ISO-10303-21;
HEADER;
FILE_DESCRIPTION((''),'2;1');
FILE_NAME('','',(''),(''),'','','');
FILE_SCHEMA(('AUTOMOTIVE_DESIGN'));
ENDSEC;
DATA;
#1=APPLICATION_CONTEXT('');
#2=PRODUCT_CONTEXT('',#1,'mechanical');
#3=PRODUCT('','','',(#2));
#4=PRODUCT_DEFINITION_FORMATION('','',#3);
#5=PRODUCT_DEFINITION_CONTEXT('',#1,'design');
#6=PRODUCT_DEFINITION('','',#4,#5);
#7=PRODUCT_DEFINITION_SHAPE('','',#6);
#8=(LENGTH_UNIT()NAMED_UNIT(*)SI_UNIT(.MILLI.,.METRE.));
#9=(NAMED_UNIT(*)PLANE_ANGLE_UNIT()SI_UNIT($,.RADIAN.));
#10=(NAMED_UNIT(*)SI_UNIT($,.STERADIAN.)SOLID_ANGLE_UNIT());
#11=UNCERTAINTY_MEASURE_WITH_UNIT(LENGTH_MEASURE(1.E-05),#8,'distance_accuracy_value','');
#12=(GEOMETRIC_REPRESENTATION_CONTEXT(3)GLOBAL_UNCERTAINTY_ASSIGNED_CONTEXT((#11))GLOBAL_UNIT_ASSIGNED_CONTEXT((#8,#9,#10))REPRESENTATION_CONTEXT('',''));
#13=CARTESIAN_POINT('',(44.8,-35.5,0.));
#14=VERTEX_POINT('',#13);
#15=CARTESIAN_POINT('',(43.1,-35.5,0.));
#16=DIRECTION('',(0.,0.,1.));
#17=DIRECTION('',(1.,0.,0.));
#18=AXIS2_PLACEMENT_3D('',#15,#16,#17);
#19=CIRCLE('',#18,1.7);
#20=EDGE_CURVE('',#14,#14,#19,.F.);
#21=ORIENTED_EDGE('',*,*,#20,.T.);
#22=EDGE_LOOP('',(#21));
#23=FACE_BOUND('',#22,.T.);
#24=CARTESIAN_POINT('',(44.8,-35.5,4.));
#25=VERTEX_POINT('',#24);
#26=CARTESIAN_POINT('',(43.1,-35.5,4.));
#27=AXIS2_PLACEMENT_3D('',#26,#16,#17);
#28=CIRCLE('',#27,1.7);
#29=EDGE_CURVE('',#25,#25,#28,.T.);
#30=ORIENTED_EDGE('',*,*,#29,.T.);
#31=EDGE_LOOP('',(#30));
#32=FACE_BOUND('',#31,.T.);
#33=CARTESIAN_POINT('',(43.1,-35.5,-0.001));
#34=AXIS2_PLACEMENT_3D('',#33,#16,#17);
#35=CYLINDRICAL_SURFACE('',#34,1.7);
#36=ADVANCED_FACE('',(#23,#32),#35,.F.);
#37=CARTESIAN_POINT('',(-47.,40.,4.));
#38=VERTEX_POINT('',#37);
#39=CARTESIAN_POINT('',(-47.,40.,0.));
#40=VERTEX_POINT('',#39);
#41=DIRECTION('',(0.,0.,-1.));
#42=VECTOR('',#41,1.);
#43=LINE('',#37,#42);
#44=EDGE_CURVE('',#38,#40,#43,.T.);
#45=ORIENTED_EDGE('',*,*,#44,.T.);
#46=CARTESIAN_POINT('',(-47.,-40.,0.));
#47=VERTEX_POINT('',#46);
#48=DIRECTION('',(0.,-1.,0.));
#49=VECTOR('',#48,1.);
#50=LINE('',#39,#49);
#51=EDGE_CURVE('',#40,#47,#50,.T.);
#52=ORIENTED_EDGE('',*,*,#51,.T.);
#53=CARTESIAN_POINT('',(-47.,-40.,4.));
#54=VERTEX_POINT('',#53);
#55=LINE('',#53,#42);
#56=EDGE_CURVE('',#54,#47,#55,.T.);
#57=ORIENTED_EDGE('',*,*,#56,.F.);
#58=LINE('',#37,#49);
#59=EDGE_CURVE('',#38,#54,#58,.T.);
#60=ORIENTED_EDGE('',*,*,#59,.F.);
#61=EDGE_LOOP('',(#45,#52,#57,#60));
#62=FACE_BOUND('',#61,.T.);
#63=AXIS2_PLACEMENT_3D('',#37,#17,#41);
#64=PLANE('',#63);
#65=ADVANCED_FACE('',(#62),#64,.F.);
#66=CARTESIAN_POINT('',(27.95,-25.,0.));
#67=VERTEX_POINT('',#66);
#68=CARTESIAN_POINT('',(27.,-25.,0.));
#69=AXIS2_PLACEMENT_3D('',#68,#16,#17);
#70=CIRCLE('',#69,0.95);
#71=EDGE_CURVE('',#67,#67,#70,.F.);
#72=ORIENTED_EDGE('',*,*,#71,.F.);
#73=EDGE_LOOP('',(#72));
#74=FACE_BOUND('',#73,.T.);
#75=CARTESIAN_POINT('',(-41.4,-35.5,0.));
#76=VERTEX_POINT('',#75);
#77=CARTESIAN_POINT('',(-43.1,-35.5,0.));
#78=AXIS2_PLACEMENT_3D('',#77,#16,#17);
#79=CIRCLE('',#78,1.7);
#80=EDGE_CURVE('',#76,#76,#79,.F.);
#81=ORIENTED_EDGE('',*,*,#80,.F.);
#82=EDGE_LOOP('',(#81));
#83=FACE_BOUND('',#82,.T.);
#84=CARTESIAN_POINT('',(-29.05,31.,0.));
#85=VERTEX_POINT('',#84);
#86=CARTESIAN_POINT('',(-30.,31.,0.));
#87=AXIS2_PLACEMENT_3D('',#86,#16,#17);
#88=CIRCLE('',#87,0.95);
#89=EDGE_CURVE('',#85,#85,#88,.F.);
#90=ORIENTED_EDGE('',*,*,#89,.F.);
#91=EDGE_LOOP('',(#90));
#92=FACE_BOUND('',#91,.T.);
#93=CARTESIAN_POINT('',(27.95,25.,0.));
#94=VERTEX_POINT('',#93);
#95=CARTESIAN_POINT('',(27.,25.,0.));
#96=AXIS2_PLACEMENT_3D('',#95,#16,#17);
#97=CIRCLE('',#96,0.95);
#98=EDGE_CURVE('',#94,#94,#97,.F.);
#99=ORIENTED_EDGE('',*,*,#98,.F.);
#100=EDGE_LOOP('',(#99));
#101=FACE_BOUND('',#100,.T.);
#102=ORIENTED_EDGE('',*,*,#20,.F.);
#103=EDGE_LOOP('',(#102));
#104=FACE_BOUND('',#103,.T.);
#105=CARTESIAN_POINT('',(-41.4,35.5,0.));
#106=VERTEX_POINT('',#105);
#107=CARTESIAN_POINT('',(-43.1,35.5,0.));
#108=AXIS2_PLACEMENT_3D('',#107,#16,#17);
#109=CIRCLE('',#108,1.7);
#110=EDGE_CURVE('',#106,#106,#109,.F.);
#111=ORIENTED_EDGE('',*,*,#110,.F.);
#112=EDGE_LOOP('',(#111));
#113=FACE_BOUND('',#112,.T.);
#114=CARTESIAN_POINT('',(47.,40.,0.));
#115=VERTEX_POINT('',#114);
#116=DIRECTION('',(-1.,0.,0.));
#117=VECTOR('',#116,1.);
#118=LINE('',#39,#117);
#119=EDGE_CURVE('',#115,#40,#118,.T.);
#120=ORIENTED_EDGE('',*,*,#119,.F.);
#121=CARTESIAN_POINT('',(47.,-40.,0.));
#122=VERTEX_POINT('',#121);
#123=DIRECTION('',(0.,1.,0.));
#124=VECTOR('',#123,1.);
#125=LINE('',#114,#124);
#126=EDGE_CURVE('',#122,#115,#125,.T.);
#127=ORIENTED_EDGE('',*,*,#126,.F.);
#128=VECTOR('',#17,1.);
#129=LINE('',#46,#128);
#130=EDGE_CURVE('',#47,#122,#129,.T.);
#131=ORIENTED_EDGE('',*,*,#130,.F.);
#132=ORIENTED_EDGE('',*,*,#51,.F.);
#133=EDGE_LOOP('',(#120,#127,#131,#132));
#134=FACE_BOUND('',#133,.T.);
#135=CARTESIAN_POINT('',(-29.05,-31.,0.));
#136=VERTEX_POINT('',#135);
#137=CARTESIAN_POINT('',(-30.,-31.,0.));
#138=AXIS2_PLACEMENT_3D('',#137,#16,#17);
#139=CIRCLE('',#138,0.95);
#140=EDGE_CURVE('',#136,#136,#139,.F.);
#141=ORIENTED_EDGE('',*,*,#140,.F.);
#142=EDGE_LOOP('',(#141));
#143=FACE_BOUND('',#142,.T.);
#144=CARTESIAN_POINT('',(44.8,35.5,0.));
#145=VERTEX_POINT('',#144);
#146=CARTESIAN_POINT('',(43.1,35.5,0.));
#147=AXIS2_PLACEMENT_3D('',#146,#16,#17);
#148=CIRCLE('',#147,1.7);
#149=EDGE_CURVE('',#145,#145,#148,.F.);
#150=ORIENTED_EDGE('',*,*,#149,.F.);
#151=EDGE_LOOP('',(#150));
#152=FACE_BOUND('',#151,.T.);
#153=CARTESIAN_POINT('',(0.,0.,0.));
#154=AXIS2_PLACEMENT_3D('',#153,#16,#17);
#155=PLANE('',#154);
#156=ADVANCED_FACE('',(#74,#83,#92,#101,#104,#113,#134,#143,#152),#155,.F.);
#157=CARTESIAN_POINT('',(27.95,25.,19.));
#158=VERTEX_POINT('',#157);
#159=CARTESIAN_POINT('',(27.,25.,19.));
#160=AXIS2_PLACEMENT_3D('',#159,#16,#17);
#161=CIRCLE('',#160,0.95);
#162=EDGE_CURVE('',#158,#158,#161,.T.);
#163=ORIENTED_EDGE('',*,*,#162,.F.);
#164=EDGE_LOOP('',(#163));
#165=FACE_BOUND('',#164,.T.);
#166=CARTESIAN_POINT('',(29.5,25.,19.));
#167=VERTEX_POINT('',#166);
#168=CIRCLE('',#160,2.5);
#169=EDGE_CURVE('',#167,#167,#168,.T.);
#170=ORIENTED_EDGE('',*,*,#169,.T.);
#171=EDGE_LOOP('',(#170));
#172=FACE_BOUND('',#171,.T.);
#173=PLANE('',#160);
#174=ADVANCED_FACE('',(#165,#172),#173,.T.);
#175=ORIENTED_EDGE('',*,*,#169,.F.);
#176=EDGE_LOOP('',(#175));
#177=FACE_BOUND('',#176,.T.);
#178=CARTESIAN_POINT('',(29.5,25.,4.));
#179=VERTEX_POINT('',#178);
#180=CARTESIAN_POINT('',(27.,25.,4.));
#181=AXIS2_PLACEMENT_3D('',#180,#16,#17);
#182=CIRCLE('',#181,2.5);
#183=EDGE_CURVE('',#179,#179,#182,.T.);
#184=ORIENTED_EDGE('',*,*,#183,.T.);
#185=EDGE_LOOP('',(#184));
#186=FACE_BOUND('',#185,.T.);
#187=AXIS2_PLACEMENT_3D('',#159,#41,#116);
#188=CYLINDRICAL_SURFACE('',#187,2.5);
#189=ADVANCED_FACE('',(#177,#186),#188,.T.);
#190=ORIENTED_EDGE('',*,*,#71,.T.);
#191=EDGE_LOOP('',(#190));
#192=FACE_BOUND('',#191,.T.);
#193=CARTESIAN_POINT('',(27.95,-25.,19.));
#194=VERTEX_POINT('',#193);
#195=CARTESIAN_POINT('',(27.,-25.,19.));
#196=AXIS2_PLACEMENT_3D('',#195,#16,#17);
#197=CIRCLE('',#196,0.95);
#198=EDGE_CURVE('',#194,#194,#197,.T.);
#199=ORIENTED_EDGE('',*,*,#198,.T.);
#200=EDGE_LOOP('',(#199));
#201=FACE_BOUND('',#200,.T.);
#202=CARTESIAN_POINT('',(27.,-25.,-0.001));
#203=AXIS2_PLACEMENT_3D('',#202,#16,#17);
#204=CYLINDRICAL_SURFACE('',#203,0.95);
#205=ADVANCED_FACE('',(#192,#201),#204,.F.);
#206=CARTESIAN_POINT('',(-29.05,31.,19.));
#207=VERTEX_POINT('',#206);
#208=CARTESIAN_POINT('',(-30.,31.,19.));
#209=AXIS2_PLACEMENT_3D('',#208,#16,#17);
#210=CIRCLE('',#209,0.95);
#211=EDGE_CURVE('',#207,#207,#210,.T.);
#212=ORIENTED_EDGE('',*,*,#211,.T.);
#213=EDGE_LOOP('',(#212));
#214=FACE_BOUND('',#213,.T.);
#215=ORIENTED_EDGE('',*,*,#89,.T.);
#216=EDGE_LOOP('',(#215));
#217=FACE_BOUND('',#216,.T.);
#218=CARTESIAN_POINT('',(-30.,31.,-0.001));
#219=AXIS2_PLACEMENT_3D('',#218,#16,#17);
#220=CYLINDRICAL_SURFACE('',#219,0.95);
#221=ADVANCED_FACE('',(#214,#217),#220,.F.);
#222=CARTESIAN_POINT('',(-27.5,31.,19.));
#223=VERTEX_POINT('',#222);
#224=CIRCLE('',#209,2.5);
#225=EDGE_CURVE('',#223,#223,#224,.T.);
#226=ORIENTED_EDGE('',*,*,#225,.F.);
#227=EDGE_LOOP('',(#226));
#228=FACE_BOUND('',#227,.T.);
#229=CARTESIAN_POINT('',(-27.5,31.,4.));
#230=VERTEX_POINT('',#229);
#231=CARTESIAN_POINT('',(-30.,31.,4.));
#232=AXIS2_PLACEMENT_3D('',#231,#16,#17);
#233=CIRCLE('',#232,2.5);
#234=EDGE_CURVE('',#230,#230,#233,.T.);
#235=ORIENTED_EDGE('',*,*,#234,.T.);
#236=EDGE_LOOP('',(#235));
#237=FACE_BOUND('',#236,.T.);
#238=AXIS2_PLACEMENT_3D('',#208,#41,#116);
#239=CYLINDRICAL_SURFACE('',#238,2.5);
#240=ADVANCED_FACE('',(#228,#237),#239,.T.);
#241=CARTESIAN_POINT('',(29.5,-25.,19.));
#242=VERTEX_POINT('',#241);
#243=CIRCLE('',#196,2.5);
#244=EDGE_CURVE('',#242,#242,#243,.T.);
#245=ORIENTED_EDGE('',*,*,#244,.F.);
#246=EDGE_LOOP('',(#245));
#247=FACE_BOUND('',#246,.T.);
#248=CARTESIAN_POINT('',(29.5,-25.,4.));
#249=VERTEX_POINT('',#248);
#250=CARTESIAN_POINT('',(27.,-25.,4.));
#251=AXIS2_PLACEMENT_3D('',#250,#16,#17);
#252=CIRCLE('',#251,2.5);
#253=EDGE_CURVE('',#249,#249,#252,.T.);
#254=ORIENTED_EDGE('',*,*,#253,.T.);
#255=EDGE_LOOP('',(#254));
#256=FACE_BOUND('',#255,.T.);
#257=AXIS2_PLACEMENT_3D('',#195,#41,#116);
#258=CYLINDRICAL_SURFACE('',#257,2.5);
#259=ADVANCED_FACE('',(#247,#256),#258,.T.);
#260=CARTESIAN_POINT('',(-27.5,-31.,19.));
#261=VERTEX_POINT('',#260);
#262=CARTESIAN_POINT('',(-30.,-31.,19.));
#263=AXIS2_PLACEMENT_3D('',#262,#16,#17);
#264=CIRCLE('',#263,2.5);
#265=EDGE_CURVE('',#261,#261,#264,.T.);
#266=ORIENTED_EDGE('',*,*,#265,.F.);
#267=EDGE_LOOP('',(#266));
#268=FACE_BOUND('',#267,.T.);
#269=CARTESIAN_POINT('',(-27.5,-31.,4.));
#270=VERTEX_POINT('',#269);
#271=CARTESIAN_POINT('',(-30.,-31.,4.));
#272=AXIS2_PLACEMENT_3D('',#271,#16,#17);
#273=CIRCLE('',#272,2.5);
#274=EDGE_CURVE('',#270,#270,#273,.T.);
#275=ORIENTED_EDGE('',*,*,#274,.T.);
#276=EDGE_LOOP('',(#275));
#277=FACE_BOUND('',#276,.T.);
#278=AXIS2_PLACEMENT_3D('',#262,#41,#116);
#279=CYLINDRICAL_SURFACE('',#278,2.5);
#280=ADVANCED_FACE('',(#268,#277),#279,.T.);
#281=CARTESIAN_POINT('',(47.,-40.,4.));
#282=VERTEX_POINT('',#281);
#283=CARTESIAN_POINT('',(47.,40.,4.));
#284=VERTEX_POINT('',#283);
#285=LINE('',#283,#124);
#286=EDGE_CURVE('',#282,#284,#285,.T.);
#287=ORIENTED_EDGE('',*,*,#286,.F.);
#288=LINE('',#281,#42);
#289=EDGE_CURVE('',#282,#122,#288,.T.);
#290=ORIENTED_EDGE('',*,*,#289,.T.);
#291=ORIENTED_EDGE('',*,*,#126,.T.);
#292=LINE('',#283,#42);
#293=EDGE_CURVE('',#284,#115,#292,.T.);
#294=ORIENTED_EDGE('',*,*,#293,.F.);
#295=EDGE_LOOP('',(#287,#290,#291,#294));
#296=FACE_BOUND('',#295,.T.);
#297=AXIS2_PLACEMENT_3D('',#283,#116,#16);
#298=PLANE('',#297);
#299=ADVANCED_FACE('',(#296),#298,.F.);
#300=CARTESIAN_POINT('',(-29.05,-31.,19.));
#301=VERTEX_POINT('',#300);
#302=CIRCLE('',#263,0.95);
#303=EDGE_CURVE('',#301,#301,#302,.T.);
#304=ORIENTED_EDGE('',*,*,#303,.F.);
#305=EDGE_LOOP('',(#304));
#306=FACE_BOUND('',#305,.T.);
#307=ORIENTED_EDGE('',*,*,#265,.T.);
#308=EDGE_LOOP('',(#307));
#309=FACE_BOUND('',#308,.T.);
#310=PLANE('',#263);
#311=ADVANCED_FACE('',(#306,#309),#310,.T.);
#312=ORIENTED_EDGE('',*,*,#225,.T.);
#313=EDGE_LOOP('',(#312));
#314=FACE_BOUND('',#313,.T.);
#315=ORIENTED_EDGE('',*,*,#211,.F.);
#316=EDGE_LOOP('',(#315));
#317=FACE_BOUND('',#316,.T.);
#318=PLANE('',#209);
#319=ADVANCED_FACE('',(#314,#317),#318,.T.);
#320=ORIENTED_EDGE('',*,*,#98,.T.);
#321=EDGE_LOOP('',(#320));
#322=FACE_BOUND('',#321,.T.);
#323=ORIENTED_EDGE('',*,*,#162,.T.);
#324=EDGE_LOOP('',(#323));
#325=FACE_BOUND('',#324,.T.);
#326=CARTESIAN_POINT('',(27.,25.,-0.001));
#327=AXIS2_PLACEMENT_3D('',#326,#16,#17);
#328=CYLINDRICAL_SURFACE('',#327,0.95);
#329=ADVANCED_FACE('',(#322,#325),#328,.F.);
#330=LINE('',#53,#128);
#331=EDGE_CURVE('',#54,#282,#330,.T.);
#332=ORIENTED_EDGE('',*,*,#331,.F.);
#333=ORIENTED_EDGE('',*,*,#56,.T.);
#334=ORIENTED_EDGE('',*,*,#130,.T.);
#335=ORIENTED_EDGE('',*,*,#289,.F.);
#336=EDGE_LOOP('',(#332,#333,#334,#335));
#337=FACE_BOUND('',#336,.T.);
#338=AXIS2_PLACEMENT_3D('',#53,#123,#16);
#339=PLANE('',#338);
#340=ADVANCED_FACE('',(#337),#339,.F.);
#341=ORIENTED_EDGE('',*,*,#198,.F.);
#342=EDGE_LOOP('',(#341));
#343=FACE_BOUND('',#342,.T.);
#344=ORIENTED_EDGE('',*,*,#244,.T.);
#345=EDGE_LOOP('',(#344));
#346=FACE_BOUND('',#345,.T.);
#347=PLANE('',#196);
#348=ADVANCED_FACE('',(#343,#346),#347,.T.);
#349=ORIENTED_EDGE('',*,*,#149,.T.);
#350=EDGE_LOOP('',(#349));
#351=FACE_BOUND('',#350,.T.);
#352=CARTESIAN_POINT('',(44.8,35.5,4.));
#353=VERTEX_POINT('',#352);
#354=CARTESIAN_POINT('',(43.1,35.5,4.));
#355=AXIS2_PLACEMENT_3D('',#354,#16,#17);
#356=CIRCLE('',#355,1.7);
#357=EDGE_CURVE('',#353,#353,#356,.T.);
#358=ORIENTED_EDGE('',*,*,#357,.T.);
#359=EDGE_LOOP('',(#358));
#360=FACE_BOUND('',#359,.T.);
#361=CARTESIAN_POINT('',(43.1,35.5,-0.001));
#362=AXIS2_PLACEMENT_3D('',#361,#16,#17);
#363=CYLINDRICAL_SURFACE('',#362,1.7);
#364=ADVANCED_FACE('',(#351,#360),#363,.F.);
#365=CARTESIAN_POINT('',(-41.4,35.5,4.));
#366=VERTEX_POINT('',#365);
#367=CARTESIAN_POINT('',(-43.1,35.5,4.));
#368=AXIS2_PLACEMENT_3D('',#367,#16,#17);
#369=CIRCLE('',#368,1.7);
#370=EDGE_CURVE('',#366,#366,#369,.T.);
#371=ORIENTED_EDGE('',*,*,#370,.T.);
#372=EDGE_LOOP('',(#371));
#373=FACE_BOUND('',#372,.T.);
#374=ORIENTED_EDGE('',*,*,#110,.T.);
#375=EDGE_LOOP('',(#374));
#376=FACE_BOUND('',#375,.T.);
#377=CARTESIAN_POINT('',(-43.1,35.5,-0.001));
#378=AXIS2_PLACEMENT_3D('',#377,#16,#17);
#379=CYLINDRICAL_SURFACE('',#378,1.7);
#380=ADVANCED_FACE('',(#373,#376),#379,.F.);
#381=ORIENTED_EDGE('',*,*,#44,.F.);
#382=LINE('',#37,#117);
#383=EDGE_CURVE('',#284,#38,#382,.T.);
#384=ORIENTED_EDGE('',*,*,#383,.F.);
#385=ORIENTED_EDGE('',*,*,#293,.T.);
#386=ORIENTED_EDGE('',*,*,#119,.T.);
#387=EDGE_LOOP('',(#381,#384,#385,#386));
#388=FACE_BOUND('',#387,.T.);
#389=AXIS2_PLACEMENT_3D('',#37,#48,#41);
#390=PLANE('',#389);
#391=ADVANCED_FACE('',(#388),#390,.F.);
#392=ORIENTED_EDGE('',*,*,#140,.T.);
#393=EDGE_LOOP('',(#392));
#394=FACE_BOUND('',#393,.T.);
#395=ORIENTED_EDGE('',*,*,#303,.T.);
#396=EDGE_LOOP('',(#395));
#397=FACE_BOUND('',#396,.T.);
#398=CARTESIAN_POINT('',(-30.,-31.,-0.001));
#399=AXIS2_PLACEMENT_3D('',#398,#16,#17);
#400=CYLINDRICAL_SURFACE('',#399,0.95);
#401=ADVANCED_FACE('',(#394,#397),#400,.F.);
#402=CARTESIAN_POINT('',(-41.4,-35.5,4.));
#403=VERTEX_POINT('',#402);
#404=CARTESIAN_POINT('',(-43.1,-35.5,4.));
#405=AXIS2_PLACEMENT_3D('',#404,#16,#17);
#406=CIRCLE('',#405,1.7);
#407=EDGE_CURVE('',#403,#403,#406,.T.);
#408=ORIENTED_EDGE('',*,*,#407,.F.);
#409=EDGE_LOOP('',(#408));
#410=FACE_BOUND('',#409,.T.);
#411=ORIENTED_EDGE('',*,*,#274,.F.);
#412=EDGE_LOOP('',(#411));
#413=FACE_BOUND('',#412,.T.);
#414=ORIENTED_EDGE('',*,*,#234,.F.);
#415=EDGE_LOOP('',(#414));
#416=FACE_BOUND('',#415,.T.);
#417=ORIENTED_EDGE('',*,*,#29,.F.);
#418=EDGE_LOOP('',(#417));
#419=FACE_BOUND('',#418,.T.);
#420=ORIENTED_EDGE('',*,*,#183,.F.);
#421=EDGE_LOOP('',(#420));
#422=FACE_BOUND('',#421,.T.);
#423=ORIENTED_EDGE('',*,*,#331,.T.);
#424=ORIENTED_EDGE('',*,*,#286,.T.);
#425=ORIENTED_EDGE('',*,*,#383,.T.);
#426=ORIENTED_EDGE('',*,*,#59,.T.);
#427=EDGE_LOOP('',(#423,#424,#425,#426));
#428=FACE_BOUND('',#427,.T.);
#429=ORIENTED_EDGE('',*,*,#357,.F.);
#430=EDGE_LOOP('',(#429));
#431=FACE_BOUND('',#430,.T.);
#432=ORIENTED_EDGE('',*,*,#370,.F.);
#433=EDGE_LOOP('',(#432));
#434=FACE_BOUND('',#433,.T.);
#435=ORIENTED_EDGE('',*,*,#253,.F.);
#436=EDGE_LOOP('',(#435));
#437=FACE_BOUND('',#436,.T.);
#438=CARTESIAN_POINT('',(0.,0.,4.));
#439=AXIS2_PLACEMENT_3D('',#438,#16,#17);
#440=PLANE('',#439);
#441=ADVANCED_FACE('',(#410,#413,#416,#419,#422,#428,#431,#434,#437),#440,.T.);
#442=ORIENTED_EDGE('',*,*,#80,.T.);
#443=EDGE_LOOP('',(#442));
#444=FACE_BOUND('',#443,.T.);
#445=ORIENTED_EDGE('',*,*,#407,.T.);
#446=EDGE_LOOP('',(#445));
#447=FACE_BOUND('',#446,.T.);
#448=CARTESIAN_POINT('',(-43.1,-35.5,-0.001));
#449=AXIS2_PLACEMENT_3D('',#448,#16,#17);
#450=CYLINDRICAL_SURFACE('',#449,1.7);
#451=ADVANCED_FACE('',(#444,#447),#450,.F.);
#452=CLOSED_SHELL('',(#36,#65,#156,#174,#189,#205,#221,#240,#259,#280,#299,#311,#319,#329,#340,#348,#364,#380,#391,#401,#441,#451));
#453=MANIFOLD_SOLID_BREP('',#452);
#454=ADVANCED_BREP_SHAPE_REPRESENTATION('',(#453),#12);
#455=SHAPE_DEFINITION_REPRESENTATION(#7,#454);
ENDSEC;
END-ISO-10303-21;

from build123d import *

# Parameters (mm, degrees)
SKETCH_1_W          = 94
SKETCH_1_H          = 80
EXTRUDE_1_DEPTH     = 4
CUT_EXTRUDE_1_REACH = 63.847
SKETCH_2_R          = 1.7
SKETCH_3_R          = 2.5
EXTRUDE_2_DEPTH     = 15
CUT_EXTRUDE_2_REACH = 66.576
SKETCH_4_R          = 0.95


with BuildPart() as part:
    # 草图1 → 凸台-拉伸1 (new body)
    with BuildSketch(Plane.XY):
        Rectangle(SKETCH_1_W, SKETCH_1_H)
    extrude(amount=EXTRUDE_1_DEPTH)

    # 草图2 → 切除-拉伸1 (cut, up to next)
    with BuildSketch(Plane.XY.offset(4), mode=Mode.PRIVATE) as cut_extrude_1_sk1:
        with Locations((-43.1, -35.5)):
            Circle(SKETCH_2_R)
    cut_extrude_1_tool1 = extrude(cut_extrude_1_sk1.sketch, amount=-CUT_EXTRUDE_1_REACH, mode=Mode.PRIVATE) & part.part
    # 草图2 → 切除-拉伸1 (cut, up to next)
    with BuildSketch(Plane.XY.offset(4), mode=Mode.PRIVATE) as cut_extrude_1_sk2:
        with Locations((43.1, -35.5)):
            Circle(SKETCH_2_R)
    cut_extrude_1_tool2 = extrude(cut_extrude_1_sk2.sketch, amount=-CUT_EXTRUDE_1_REACH, mode=Mode.PRIVATE) & part.part
    # 草图2 → 切除-拉伸1 (cut, up to next)
    with BuildSketch(Plane.XY.offset(4), mode=Mode.PRIVATE) as cut_extrude_1_sk3:
        with Locations((43.1, 35.5)):
            Circle(SKETCH_2_R)
    cut_extrude_1_tool3 = extrude(cut_extrude_1_sk3.sketch, amount=-CUT_EXTRUDE_1_REACH, mode=Mode.PRIVATE) & part.part
    # 草图2 → 切除-拉伸1 (cut, up to next)
    with BuildSketch(Plane.XY.offset(4), mode=Mode.PRIVATE) as cut_extrude_1_sk4:
        with Locations((-43.1, 35.5)):
            Circle(SKETCH_2_R)
    cut_extrude_1_tool4 = extrude(cut_extrude_1_sk4.sketch, amount=-CUT_EXTRUDE_1_REACH, mode=Mode.PRIVATE) & part.part
    add(cut_extrude_1_tool1.solids().sort_by_distance((-43.1, -35.5, 4))[0], mode=Mode.SUBTRACT)
    add(cut_extrude_1_tool2.solids().sort_by_distance((43.1, -35.5, 4))[0], mode=Mode.SUBTRACT)
    add(cut_extrude_1_tool3.solids().sort_by_distance((43.1, 35.5, 4))[0], mode=Mode.SUBTRACT)
    add(cut_extrude_1_tool4.solids().sort_by_distance((-43.1, 35.5, 4))[0], mode=Mode.SUBTRACT)

    # 草图3 → 凸台-拉伸2 (add)
    with BuildSketch(Plane.XY.offset(4)):
        with Locations((-30, 31)):
            Circle(SKETCH_3_R)
        with Locations((-30, -31)):
            Circle(SKETCH_3_R)
        with Locations((27, 25)):
            Circle(SKETCH_3_R)
        with Locations((27, -25)):
            Circle(SKETCH_3_R)
    extrude(amount=EXTRUDE_2_DEPTH)

    # 草图4 → 切除-拉伸2 (cut, up to next)
    with BuildSketch(Plane.XY.offset(19), mode=Mode.PRIVATE) as cut_extrude_2_sk1:
        with Locations((-30, 31)):
            Circle(SKETCH_4_R)
    cut_extrude_2_tool1 = extrude(cut_extrude_2_sk1.sketch, amount=-CUT_EXTRUDE_2_REACH, mode=Mode.PRIVATE) & part.part
    # 草图4 → 切除-拉伸2 (cut, up to next)
    with BuildSketch(Plane.XY.offset(19), mode=Mode.PRIVATE) as cut_extrude_2_sk2:
        with Locations((27, 25)):
            Circle(SKETCH_4_R)
    cut_extrude_2_tool2 = extrude(cut_extrude_2_sk2.sketch, amount=-CUT_EXTRUDE_2_REACH, mode=Mode.PRIVATE) & part.part
    # 草图4 → 切除-拉伸2 (cut, up to next)
    with BuildSketch(Plane.XY.offset(19), mode=Mode.PRIVATE) as cut_extrude_2_sk3:
        with Locations((-30, -31)):
            Circle(SKETCH_4_R)
    cut_extrude_2_tool3 = extrude(cut_extrude_2_sk3.sketch, amount=-CUT_EXTRUDE_2_REACH, mode=Mode.PRIVATE) & part.part
    # 草图4 → 切除-拉伸2 (cut, up to next)
    with BuildSketch(Plane.XY.offset(19), mode=Mode.PRIVATE) as cut_extrude_2_sk4:
        with Locations((27, -25)):
            Circle(SKETCH_4_R)
    cut_extrude_2_tool4 = extrude(cut_extrude_2_sk4.sketch, amount=-CUT_EXTRUDE_2_REACH, mode=Mode.PRIVATE) & part.part
    add(cut_extrude_2_tool1.solids().sort_by_distance((-30, 31, 19))[0], mode=Mode.SUBTRACT)
    add(cut_extrude_2_tool2.solids().sort_by_distance((27, 25, 19))[0], mode=Mode.SUBTRACT)
    add(cut_extrude_2_tool3.solids().sort_by_distance((-30, -31, 19))[0], mode=Mode.SUBTRACT)
    add(cut_extrude_2_tool4.solids().sort_by_distance((27, -25, 19))[0], mode=Mode.SUBTRACT)


solid = part.part
